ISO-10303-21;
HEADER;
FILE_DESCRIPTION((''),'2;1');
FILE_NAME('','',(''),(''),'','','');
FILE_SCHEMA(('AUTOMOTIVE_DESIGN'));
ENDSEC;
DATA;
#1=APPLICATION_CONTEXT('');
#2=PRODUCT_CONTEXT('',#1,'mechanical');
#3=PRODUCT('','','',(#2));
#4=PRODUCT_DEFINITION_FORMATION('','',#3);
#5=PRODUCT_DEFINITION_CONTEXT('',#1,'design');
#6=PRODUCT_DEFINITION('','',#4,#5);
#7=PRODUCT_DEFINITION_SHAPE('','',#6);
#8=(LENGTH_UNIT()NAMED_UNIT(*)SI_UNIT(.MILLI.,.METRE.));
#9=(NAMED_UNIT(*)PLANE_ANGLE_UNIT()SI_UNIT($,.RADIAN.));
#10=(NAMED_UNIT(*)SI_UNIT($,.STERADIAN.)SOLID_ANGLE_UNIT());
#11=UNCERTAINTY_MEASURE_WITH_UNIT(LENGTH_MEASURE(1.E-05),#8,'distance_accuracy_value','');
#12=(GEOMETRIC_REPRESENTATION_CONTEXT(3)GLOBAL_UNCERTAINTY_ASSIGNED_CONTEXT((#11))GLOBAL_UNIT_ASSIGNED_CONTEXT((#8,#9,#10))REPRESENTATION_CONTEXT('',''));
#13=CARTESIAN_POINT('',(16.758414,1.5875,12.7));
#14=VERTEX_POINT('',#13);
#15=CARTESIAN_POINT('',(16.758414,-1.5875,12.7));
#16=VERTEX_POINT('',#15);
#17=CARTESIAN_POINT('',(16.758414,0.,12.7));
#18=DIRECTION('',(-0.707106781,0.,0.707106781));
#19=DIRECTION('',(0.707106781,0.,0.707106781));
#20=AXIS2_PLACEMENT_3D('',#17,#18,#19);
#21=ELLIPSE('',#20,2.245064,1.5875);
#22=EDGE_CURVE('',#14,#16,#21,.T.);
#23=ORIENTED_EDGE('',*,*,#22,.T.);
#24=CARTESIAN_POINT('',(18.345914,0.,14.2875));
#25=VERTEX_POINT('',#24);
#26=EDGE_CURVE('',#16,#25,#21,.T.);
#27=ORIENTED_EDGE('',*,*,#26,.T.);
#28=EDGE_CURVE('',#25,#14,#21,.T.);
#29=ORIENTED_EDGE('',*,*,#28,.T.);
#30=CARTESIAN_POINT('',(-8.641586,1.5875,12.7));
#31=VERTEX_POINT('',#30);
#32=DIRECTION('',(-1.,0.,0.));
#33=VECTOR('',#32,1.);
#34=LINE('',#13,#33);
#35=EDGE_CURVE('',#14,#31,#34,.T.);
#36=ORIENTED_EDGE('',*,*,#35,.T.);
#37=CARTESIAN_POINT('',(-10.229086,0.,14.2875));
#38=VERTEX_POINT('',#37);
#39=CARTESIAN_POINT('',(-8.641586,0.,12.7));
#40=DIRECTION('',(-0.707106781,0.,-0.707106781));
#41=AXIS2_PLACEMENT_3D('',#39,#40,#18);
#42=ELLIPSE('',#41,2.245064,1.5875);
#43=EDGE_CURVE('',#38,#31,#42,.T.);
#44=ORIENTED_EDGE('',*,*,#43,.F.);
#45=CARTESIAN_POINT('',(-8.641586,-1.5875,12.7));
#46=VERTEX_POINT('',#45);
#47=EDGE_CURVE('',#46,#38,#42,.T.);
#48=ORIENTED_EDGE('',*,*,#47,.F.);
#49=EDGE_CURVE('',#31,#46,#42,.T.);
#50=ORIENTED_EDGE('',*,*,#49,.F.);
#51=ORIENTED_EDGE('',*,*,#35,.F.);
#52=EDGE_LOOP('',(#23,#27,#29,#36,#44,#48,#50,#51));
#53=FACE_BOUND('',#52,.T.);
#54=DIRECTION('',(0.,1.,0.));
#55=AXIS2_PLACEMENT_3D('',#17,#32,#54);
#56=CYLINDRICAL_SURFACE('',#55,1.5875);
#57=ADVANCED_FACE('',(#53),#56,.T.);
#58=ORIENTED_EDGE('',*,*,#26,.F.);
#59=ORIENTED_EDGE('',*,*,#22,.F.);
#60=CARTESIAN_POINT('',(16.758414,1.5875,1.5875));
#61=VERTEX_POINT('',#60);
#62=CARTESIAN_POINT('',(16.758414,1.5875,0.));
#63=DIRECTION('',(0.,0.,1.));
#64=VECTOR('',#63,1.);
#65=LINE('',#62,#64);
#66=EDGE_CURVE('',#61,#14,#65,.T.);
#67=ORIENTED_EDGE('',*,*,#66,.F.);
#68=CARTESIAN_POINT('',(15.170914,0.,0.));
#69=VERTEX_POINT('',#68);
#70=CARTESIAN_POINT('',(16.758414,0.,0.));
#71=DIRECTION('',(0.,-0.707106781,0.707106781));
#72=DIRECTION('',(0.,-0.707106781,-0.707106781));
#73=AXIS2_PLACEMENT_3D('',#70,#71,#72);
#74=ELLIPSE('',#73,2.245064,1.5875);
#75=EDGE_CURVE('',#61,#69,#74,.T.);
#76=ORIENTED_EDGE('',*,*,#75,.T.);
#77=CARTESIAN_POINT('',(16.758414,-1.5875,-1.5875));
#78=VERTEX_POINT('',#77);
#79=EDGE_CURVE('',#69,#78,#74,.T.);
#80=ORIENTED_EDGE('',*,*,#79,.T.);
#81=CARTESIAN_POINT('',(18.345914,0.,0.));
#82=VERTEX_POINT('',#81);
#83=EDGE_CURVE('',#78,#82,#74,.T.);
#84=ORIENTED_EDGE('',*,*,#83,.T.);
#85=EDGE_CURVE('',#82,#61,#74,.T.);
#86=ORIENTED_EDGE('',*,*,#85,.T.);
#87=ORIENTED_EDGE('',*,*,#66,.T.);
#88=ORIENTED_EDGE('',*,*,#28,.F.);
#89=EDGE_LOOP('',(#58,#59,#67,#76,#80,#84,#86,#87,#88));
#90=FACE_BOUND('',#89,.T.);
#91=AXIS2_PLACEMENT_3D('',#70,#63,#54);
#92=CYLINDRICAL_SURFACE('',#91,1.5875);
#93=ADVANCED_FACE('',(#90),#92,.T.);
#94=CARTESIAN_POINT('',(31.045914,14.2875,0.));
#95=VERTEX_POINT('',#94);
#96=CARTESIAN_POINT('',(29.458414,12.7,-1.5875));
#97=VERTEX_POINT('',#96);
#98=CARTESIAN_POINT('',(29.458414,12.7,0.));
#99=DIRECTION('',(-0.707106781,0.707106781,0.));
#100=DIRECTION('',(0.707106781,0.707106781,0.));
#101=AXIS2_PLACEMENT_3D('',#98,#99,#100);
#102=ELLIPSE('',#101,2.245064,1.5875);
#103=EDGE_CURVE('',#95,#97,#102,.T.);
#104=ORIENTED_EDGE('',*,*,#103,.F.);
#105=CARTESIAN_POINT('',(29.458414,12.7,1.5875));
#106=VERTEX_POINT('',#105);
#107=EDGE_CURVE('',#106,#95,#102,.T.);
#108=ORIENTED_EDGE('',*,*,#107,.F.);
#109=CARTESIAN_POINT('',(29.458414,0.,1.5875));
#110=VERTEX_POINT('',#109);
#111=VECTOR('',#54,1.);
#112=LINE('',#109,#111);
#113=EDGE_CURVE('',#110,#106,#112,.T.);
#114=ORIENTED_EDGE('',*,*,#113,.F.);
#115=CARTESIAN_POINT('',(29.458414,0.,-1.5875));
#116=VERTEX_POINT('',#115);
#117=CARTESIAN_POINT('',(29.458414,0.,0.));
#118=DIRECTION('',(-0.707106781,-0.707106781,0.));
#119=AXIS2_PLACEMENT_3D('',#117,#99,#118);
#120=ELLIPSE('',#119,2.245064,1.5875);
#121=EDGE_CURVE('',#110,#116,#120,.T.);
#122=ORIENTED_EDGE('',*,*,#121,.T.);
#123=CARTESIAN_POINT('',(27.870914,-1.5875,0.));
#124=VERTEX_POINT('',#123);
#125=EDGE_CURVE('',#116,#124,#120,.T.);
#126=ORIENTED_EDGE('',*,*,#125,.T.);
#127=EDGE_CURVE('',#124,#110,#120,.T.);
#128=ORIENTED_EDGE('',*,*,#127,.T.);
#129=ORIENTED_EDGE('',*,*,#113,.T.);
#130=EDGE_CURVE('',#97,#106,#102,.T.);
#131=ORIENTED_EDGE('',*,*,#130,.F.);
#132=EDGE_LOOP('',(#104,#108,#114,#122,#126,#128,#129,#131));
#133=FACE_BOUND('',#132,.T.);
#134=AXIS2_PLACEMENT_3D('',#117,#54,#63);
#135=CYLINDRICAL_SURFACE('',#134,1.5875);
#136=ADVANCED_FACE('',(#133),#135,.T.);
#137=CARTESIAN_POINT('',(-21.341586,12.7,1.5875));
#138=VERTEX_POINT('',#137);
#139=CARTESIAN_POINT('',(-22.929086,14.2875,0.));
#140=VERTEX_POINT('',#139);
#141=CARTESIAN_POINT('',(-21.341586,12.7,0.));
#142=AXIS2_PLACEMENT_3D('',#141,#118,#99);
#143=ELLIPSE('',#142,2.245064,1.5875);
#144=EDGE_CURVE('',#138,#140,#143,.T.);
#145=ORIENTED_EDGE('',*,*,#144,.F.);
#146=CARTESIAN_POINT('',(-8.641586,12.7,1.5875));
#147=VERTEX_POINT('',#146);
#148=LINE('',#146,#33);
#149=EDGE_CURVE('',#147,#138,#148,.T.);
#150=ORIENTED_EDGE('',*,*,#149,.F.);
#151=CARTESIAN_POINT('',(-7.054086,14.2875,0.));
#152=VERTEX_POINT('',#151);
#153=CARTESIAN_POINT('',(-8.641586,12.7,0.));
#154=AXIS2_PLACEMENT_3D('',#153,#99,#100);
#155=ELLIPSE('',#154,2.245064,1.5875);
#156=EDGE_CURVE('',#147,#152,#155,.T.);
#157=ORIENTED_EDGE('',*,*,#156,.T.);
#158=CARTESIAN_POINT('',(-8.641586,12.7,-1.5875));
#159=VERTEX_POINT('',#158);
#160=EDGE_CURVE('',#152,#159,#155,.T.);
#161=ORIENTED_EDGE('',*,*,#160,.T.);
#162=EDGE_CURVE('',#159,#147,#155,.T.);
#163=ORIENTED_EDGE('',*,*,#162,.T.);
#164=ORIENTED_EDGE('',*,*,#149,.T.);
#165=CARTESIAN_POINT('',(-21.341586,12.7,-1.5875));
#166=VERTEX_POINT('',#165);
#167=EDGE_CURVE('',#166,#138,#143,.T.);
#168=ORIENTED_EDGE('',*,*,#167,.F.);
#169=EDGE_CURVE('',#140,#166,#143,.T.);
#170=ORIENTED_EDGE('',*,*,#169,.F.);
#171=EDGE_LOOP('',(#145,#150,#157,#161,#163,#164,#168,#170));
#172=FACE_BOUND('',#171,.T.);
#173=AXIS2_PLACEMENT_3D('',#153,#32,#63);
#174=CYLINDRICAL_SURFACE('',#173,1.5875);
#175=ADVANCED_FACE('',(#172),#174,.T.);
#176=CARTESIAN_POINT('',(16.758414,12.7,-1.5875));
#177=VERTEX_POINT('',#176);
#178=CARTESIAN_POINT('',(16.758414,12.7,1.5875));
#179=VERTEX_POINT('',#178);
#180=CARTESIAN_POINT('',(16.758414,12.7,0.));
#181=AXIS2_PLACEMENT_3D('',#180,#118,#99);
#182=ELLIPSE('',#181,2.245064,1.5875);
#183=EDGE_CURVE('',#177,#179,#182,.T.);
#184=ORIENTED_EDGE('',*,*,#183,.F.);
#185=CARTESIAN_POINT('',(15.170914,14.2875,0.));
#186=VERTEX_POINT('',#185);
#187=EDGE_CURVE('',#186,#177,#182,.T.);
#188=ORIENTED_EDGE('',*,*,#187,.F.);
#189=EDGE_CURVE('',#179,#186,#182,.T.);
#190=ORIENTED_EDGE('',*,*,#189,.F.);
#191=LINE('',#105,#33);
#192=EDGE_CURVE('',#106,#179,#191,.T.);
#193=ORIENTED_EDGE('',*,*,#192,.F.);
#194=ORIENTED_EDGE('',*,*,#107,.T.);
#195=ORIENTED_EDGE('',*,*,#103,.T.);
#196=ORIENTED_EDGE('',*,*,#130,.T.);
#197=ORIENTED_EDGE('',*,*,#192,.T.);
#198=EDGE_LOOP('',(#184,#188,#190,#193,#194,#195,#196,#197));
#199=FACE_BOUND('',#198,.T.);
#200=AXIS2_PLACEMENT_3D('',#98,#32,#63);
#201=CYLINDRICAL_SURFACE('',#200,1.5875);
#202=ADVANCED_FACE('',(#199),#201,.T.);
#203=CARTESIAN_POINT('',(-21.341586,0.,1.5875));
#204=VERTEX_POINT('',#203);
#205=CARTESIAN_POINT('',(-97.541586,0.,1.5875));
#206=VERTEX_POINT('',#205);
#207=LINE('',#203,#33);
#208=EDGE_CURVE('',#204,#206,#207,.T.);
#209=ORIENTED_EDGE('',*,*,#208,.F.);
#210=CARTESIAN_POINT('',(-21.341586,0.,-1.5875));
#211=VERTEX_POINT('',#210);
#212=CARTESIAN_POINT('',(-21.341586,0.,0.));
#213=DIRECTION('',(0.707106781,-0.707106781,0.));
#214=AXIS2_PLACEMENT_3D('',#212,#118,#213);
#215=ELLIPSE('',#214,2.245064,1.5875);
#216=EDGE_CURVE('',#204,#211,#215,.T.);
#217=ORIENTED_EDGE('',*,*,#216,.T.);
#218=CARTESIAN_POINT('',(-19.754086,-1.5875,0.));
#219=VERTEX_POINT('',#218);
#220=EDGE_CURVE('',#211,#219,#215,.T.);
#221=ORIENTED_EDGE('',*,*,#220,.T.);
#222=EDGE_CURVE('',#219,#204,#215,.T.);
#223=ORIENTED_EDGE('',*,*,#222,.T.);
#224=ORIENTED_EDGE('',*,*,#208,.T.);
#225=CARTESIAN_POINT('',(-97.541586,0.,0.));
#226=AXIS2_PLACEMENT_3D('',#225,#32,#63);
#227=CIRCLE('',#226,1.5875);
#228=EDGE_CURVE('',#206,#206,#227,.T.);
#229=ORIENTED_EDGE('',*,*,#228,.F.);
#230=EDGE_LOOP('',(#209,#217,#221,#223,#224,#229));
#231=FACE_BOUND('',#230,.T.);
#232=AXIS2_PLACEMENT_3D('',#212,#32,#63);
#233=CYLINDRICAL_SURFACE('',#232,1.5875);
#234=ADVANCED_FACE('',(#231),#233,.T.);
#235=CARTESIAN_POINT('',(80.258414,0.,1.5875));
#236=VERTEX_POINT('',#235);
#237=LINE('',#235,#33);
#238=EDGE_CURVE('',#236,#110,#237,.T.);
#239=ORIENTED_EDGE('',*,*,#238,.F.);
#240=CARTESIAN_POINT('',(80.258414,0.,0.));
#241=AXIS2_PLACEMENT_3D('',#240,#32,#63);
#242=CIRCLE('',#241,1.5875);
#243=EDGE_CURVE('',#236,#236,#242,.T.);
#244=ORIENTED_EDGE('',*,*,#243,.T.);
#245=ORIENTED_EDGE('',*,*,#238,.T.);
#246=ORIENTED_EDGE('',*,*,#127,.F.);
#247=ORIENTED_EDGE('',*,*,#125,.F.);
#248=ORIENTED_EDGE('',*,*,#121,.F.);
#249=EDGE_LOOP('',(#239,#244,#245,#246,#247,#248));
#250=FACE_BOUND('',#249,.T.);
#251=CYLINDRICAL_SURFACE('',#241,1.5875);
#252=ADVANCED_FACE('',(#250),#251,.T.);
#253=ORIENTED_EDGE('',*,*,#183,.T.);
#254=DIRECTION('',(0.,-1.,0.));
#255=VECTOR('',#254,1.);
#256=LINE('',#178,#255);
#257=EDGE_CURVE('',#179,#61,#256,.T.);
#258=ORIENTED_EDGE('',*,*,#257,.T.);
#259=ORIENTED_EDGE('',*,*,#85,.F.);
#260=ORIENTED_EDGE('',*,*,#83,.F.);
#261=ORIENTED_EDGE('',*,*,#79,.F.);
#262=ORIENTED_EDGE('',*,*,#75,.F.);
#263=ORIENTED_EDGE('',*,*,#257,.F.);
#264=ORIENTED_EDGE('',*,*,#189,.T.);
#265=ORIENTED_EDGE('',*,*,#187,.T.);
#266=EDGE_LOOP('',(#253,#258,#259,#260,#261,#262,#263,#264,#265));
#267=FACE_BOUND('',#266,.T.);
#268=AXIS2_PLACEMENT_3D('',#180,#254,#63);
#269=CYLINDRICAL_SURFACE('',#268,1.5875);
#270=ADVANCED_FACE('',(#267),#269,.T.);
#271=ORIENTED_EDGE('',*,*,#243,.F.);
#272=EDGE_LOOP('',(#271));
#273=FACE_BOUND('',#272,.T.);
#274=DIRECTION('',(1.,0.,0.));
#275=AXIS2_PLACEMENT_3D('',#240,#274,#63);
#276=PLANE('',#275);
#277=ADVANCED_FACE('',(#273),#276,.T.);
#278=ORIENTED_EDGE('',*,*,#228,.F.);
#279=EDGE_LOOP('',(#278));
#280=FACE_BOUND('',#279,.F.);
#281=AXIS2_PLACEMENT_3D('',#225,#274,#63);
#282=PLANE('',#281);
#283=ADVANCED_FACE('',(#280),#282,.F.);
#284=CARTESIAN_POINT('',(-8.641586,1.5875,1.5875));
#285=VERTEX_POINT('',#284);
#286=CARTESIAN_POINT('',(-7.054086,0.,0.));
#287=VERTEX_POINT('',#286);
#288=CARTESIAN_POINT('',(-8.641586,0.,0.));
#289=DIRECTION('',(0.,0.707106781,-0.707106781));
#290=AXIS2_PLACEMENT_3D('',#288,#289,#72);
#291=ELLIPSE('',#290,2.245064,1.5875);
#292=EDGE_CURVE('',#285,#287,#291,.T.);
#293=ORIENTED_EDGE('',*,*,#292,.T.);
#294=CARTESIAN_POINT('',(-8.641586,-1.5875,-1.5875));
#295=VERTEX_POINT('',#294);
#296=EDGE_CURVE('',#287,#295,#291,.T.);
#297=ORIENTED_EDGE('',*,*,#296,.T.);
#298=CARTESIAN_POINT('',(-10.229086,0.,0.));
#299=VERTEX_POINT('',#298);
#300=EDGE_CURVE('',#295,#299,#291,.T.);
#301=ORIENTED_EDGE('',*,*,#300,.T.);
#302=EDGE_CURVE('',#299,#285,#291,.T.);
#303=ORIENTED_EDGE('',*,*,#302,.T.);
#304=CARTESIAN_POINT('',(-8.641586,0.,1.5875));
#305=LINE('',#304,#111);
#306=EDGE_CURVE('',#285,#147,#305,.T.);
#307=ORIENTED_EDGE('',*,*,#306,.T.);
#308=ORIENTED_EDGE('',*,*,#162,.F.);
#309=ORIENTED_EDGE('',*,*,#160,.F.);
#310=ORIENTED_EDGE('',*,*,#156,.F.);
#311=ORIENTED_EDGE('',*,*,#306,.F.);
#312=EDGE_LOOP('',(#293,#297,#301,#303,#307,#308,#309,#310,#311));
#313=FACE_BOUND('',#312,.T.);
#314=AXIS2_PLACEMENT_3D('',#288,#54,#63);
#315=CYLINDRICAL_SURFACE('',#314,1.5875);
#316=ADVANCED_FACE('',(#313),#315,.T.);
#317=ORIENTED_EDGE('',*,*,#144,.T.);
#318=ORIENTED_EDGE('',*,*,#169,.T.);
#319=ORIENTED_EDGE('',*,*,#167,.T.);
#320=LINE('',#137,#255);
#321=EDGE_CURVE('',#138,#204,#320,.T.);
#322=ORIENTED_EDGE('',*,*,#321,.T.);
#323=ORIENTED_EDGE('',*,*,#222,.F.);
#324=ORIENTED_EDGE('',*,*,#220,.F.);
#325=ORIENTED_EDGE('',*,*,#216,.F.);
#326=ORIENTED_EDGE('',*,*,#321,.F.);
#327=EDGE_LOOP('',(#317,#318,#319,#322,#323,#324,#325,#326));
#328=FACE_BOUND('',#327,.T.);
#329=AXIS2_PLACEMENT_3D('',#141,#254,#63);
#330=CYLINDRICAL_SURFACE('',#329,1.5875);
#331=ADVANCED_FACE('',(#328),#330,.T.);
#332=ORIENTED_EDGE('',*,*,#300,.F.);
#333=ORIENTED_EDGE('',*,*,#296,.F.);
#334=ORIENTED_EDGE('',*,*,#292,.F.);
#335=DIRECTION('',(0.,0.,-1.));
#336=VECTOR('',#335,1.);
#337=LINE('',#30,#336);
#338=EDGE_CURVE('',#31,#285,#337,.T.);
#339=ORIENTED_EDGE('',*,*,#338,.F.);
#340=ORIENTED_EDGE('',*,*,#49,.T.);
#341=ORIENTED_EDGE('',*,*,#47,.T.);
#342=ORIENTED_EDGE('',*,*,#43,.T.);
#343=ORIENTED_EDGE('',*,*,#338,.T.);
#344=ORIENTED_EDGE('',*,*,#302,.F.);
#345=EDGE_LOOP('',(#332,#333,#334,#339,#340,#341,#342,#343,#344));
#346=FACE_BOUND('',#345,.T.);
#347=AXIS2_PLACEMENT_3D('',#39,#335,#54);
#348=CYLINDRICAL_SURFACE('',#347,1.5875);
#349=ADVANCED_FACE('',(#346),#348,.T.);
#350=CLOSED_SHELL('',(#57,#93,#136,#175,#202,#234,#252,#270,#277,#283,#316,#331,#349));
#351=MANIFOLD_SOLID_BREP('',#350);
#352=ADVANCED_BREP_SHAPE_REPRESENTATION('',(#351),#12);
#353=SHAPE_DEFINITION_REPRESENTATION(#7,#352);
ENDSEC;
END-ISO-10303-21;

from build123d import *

# Parameters (mm, degrees)
F2_R = 1.5875


with BuildPart() as f3:
    # F3: sweep along a path in F0, F1, F0
    with BuildLine(Plane.XY) as f3_path:
        Line((80.258414459, 0), (29.458414459, 0))
        Line((29.458414459, 0), (29.458414459, 12.7))
        Line((29.458414459, 12.7), (16.758414459, 12.7))
        Line((16.758414459, 12.7), (16.758414459, 0))
    with BuildLine(Plane.XZ) as f3_path_2:
        Line((16.758414459, 0), (16.758414459, 12.7))
        Line((16.758414459, 12.7), (-8.641585541, 12.7))
        Line((-8.641585541, 12.7), (-8.641585541, 0))
    with BuildLine(Plane.XY) as f3_path_3:
        Line((-8.641585541, 0), (-8.641585541, 12.7))
        Line((-8.641585541, 12.7), (-21.341585541, 12.7))
        Line((-21.341585541, 12.7), (-21.341585541, 0))
        Line((-21.341585541, 0), (-97.541585541, 0))
    # F2 (on Right) → F3 (sweep)
    with BuildSketch(Plane.YZ):
        with Locations((0, 12.7)):
            Circle(F2_R)
    sweep(path=f3_path.line + f3_path_2.line + f3_path_3.line, transition=Transition.RIGHT)


solid = f3.part
